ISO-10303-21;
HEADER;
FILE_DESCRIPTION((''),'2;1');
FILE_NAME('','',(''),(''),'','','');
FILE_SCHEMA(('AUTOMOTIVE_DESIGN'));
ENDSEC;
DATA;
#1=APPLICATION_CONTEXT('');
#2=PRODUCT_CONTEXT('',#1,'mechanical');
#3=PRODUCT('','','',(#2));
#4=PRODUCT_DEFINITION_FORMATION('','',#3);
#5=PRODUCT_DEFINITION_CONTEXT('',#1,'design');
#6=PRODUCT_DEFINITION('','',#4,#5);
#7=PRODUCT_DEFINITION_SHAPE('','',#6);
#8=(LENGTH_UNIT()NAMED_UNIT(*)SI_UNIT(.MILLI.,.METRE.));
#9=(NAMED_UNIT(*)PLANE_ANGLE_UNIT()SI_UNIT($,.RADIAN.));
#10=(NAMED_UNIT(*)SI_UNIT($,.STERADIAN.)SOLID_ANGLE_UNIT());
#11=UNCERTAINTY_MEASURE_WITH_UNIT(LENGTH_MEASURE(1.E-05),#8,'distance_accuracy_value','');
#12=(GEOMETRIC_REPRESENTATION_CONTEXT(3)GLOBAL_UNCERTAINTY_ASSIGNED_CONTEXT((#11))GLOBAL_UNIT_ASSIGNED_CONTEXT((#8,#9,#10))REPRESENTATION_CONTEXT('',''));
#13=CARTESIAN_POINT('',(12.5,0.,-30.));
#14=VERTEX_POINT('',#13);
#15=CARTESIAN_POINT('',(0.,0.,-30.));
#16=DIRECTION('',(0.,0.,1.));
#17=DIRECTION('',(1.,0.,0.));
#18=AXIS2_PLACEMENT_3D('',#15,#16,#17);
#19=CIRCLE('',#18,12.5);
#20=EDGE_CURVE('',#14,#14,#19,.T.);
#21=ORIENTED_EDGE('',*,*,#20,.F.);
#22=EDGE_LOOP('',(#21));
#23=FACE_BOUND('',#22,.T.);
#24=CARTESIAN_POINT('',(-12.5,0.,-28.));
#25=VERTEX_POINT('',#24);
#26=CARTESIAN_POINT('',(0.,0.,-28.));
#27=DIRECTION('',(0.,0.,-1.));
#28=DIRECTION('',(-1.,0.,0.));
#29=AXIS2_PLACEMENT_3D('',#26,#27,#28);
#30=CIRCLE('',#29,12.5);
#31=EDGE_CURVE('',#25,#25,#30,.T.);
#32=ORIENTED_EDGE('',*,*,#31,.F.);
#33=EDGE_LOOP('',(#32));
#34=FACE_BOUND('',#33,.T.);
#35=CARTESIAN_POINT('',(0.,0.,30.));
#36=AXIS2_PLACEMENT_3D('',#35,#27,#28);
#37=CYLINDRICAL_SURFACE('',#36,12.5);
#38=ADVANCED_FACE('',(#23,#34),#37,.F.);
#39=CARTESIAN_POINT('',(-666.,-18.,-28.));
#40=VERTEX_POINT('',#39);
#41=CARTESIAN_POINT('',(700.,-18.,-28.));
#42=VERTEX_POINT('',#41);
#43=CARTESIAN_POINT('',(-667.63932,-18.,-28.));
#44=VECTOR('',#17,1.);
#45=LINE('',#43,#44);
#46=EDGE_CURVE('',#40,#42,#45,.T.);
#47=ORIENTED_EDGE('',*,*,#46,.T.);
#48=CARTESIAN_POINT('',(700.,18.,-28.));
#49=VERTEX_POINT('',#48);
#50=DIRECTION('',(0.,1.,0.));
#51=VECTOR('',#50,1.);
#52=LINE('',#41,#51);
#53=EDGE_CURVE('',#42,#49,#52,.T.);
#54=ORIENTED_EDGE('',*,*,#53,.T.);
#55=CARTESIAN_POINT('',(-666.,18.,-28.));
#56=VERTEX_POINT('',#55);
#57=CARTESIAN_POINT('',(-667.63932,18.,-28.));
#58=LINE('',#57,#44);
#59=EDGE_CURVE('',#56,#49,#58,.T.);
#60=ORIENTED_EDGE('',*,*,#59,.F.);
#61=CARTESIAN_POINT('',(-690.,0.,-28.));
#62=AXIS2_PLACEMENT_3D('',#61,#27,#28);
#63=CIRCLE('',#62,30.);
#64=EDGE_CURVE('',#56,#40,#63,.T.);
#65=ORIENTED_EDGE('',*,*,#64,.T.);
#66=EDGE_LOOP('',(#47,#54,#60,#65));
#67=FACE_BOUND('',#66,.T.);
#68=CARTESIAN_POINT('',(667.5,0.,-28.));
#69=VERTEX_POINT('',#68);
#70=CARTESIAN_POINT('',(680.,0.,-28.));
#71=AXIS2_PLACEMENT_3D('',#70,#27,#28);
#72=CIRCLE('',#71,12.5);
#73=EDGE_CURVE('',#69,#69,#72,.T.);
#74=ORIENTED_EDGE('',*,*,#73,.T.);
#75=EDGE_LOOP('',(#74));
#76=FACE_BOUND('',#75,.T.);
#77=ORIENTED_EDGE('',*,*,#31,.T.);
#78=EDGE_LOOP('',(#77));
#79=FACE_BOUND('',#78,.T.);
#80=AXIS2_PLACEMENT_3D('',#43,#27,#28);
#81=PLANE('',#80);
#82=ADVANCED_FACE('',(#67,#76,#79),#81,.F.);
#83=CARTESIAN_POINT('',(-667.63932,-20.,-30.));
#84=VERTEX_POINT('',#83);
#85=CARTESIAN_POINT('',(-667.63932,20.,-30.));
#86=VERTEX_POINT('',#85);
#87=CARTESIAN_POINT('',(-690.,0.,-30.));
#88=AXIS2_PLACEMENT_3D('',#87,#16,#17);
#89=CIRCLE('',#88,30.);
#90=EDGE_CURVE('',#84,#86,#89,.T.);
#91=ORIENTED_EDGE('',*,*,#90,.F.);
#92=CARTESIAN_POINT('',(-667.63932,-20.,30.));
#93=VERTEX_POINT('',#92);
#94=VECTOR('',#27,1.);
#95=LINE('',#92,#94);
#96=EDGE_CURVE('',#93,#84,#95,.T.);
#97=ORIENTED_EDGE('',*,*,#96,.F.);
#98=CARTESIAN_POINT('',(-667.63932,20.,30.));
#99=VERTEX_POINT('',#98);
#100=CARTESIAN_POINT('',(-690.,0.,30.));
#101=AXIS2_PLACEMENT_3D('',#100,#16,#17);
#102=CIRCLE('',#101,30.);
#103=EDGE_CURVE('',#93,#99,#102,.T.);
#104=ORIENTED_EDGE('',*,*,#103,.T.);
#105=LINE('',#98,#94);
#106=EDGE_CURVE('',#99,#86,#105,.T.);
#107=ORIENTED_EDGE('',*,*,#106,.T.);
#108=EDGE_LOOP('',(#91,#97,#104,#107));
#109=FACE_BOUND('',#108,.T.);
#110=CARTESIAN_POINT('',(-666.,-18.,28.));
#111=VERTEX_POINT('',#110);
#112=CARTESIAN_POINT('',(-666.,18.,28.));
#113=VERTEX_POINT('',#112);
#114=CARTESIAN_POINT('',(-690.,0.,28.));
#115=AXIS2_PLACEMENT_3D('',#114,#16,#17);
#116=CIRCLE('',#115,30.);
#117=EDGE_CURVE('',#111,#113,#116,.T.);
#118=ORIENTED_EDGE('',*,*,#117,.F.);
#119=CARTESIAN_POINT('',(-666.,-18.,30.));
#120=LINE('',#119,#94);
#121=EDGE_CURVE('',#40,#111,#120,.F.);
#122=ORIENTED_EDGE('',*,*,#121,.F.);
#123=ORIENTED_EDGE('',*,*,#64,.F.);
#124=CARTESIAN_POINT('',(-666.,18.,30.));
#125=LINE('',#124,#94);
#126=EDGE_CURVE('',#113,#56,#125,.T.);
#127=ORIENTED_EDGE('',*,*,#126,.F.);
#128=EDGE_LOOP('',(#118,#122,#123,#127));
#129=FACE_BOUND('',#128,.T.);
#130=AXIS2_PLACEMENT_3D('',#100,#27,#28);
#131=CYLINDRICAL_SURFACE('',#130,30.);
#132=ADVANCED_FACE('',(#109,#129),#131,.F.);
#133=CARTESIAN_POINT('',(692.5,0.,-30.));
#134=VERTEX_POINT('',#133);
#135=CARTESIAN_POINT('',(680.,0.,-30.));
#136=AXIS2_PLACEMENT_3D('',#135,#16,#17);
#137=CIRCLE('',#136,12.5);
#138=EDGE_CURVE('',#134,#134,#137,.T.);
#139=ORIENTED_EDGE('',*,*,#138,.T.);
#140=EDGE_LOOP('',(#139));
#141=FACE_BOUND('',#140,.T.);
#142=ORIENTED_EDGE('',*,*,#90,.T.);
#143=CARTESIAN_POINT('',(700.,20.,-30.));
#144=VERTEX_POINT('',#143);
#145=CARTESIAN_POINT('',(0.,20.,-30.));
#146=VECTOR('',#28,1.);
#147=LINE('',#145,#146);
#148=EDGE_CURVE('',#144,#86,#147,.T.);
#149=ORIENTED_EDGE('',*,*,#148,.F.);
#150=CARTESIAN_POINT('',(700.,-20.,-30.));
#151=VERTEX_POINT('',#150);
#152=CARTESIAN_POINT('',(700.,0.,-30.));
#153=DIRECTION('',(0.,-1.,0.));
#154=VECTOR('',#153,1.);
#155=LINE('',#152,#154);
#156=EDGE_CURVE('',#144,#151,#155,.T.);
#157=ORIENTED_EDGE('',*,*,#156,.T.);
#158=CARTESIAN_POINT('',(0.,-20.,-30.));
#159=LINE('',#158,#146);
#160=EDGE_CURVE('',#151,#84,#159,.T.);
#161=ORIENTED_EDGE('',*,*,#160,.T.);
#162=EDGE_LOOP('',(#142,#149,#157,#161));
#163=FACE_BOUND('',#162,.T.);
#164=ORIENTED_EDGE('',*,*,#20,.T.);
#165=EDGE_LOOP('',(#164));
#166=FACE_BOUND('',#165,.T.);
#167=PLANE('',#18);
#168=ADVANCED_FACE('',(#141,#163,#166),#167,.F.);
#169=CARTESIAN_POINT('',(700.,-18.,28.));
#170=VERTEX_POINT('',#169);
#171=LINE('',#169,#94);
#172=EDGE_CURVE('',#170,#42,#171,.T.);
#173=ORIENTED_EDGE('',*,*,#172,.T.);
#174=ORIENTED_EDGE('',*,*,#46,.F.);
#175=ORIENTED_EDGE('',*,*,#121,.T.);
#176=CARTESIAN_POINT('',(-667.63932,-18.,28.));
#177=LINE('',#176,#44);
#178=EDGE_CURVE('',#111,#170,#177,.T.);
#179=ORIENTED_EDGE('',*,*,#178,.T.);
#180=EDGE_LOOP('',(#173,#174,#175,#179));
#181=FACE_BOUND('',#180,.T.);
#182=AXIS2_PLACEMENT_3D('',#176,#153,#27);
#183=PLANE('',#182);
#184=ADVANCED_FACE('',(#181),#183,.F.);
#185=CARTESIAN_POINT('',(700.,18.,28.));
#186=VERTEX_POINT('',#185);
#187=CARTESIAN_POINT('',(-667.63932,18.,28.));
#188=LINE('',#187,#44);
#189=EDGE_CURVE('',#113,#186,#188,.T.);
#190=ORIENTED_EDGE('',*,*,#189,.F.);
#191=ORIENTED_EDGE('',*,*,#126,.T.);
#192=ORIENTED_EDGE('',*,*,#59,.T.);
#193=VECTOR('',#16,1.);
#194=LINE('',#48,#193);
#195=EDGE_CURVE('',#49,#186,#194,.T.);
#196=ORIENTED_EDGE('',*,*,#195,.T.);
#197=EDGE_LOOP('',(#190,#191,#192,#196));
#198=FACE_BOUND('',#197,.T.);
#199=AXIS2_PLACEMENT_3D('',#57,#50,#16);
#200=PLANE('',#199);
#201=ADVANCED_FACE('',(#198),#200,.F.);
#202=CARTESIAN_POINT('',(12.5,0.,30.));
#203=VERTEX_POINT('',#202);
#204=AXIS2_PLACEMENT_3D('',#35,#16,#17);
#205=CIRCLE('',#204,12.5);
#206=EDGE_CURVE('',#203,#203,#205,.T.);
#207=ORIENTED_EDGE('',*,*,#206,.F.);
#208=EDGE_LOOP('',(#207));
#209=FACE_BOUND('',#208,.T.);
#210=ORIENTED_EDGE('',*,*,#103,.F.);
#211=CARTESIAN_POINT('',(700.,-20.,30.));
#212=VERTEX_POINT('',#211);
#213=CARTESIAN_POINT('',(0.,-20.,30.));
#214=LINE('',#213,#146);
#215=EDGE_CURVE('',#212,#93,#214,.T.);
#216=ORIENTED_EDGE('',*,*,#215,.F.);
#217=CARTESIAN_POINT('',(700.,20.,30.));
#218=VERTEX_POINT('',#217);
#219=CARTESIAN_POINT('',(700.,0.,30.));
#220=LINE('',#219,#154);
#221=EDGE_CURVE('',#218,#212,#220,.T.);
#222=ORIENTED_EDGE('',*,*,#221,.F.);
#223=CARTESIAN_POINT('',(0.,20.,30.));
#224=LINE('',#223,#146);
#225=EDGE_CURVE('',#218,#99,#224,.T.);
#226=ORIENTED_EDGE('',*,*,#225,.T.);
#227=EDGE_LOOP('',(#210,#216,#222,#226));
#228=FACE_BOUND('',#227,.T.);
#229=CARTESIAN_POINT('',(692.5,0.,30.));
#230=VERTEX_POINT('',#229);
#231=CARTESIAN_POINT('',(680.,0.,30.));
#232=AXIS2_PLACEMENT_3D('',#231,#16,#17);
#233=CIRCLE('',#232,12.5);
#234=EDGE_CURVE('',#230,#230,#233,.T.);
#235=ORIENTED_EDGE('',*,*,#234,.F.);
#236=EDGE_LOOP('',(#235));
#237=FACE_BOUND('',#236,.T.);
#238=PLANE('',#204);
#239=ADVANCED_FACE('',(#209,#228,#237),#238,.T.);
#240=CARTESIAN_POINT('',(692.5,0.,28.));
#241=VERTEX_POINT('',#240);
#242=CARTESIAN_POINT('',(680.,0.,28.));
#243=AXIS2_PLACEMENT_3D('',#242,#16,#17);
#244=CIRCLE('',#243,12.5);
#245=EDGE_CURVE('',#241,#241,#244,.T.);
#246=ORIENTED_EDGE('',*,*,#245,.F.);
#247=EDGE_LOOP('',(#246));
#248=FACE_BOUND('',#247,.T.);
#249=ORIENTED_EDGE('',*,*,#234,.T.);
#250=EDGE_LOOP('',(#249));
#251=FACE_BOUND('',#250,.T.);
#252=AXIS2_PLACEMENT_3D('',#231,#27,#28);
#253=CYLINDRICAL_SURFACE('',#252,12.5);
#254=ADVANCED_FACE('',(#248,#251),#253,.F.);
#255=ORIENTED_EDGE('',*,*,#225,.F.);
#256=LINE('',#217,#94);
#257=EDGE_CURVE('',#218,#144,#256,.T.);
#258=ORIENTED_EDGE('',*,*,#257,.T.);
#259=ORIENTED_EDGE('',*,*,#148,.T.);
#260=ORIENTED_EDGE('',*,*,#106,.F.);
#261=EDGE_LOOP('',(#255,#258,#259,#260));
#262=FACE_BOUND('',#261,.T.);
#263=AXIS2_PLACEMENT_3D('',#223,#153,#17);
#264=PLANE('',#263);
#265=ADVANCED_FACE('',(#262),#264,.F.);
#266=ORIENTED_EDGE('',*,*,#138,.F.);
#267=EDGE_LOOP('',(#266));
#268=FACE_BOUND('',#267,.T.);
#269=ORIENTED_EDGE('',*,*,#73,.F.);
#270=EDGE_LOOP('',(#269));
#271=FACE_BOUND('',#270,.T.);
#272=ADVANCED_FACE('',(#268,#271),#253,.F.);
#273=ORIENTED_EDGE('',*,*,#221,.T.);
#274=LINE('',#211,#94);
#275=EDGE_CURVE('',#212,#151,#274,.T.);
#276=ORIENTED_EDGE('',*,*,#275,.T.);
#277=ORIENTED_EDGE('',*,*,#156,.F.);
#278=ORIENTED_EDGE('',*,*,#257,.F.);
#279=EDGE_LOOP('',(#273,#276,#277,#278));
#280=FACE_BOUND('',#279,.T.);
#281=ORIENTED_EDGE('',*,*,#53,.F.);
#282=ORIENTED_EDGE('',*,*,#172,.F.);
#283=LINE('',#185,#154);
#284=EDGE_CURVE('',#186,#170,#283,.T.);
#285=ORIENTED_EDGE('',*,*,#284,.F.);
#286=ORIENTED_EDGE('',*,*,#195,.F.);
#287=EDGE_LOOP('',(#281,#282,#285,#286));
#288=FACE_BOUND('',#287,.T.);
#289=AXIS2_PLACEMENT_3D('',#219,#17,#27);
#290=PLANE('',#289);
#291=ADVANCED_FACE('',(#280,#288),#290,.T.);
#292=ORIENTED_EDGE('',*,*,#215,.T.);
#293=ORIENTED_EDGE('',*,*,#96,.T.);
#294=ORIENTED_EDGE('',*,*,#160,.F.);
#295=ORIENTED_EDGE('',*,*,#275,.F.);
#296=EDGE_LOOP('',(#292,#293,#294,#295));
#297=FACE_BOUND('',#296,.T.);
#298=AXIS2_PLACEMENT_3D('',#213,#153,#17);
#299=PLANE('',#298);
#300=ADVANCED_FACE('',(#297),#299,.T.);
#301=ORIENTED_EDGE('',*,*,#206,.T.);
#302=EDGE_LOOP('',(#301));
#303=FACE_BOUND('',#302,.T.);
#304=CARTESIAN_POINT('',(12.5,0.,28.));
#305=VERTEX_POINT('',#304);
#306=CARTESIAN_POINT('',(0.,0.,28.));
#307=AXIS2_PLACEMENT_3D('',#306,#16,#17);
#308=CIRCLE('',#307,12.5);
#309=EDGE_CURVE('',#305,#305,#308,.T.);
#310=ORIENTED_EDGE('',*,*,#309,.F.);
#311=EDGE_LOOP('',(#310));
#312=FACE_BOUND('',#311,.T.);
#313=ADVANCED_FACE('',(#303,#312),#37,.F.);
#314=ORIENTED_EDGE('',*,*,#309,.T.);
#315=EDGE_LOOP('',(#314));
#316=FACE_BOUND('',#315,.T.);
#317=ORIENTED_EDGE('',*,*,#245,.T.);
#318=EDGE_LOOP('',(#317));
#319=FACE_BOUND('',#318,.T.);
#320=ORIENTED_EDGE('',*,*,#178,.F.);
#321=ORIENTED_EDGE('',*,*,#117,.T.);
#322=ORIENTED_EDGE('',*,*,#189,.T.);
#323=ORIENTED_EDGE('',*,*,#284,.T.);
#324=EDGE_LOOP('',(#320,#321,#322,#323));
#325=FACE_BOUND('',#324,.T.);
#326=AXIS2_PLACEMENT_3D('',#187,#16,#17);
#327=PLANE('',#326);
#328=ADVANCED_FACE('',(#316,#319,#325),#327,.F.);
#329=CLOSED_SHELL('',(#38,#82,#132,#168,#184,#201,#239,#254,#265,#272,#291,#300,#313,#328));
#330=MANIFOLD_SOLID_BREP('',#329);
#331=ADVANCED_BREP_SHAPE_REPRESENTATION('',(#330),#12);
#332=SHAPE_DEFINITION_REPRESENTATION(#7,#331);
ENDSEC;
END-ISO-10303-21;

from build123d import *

# Parameters (mm, degrees)
SKETCH1_R           = 12.5
BOSS_EXTRUDE1_DEPTH = 30
SKETCH2_W           = 56
SKETCH2_H           = 36
CUT_EXTRUDE1_DEPTH  = 1368.639320225


with BuildPart() as part:
    # Sketch1 → Boss-Extrude1 (new body, symmetric)
    with BuildSketch(Plane.XY):
        with BuildLine():
            Line((700, -20), (700, 20))
            Line((700, 20), (-667.639320225, 20))
            ThreePointArc((-667.639320225, 20), (-661.974829231, 10.704662693), (-660, 0))
            ThreePointArc((-660, 0), (-661.974829231, -10.704662693), (-667.639320225, -20))
            Line((-667.639320225, -20), (700, -20))
        make_face()
        Circle(SKETCH1_R, mode=Mode.SUBTRACT)
        with Locations((680, 0)):
            Circle(SKETCH1_R, mode=Mode.SUBTRACT)
    extrude(amount=BOSS_EXTRUDE1_DEPTH, both=True)

    # Sketch2 → Cut-Extrude1 (cut, through all)
    with BuildSketch(Plane(origin=(700, 0, 0), x_dir=(0, 0, -1), z_dir=(1, 0, 0))):
        Rectangle(SKETCH2_W, SKETCH2_H)
    extrude(amount=-CUT_EXTRUDE1_DEPTH, mode=Mode.SUBTRACT)


solid = part.part
